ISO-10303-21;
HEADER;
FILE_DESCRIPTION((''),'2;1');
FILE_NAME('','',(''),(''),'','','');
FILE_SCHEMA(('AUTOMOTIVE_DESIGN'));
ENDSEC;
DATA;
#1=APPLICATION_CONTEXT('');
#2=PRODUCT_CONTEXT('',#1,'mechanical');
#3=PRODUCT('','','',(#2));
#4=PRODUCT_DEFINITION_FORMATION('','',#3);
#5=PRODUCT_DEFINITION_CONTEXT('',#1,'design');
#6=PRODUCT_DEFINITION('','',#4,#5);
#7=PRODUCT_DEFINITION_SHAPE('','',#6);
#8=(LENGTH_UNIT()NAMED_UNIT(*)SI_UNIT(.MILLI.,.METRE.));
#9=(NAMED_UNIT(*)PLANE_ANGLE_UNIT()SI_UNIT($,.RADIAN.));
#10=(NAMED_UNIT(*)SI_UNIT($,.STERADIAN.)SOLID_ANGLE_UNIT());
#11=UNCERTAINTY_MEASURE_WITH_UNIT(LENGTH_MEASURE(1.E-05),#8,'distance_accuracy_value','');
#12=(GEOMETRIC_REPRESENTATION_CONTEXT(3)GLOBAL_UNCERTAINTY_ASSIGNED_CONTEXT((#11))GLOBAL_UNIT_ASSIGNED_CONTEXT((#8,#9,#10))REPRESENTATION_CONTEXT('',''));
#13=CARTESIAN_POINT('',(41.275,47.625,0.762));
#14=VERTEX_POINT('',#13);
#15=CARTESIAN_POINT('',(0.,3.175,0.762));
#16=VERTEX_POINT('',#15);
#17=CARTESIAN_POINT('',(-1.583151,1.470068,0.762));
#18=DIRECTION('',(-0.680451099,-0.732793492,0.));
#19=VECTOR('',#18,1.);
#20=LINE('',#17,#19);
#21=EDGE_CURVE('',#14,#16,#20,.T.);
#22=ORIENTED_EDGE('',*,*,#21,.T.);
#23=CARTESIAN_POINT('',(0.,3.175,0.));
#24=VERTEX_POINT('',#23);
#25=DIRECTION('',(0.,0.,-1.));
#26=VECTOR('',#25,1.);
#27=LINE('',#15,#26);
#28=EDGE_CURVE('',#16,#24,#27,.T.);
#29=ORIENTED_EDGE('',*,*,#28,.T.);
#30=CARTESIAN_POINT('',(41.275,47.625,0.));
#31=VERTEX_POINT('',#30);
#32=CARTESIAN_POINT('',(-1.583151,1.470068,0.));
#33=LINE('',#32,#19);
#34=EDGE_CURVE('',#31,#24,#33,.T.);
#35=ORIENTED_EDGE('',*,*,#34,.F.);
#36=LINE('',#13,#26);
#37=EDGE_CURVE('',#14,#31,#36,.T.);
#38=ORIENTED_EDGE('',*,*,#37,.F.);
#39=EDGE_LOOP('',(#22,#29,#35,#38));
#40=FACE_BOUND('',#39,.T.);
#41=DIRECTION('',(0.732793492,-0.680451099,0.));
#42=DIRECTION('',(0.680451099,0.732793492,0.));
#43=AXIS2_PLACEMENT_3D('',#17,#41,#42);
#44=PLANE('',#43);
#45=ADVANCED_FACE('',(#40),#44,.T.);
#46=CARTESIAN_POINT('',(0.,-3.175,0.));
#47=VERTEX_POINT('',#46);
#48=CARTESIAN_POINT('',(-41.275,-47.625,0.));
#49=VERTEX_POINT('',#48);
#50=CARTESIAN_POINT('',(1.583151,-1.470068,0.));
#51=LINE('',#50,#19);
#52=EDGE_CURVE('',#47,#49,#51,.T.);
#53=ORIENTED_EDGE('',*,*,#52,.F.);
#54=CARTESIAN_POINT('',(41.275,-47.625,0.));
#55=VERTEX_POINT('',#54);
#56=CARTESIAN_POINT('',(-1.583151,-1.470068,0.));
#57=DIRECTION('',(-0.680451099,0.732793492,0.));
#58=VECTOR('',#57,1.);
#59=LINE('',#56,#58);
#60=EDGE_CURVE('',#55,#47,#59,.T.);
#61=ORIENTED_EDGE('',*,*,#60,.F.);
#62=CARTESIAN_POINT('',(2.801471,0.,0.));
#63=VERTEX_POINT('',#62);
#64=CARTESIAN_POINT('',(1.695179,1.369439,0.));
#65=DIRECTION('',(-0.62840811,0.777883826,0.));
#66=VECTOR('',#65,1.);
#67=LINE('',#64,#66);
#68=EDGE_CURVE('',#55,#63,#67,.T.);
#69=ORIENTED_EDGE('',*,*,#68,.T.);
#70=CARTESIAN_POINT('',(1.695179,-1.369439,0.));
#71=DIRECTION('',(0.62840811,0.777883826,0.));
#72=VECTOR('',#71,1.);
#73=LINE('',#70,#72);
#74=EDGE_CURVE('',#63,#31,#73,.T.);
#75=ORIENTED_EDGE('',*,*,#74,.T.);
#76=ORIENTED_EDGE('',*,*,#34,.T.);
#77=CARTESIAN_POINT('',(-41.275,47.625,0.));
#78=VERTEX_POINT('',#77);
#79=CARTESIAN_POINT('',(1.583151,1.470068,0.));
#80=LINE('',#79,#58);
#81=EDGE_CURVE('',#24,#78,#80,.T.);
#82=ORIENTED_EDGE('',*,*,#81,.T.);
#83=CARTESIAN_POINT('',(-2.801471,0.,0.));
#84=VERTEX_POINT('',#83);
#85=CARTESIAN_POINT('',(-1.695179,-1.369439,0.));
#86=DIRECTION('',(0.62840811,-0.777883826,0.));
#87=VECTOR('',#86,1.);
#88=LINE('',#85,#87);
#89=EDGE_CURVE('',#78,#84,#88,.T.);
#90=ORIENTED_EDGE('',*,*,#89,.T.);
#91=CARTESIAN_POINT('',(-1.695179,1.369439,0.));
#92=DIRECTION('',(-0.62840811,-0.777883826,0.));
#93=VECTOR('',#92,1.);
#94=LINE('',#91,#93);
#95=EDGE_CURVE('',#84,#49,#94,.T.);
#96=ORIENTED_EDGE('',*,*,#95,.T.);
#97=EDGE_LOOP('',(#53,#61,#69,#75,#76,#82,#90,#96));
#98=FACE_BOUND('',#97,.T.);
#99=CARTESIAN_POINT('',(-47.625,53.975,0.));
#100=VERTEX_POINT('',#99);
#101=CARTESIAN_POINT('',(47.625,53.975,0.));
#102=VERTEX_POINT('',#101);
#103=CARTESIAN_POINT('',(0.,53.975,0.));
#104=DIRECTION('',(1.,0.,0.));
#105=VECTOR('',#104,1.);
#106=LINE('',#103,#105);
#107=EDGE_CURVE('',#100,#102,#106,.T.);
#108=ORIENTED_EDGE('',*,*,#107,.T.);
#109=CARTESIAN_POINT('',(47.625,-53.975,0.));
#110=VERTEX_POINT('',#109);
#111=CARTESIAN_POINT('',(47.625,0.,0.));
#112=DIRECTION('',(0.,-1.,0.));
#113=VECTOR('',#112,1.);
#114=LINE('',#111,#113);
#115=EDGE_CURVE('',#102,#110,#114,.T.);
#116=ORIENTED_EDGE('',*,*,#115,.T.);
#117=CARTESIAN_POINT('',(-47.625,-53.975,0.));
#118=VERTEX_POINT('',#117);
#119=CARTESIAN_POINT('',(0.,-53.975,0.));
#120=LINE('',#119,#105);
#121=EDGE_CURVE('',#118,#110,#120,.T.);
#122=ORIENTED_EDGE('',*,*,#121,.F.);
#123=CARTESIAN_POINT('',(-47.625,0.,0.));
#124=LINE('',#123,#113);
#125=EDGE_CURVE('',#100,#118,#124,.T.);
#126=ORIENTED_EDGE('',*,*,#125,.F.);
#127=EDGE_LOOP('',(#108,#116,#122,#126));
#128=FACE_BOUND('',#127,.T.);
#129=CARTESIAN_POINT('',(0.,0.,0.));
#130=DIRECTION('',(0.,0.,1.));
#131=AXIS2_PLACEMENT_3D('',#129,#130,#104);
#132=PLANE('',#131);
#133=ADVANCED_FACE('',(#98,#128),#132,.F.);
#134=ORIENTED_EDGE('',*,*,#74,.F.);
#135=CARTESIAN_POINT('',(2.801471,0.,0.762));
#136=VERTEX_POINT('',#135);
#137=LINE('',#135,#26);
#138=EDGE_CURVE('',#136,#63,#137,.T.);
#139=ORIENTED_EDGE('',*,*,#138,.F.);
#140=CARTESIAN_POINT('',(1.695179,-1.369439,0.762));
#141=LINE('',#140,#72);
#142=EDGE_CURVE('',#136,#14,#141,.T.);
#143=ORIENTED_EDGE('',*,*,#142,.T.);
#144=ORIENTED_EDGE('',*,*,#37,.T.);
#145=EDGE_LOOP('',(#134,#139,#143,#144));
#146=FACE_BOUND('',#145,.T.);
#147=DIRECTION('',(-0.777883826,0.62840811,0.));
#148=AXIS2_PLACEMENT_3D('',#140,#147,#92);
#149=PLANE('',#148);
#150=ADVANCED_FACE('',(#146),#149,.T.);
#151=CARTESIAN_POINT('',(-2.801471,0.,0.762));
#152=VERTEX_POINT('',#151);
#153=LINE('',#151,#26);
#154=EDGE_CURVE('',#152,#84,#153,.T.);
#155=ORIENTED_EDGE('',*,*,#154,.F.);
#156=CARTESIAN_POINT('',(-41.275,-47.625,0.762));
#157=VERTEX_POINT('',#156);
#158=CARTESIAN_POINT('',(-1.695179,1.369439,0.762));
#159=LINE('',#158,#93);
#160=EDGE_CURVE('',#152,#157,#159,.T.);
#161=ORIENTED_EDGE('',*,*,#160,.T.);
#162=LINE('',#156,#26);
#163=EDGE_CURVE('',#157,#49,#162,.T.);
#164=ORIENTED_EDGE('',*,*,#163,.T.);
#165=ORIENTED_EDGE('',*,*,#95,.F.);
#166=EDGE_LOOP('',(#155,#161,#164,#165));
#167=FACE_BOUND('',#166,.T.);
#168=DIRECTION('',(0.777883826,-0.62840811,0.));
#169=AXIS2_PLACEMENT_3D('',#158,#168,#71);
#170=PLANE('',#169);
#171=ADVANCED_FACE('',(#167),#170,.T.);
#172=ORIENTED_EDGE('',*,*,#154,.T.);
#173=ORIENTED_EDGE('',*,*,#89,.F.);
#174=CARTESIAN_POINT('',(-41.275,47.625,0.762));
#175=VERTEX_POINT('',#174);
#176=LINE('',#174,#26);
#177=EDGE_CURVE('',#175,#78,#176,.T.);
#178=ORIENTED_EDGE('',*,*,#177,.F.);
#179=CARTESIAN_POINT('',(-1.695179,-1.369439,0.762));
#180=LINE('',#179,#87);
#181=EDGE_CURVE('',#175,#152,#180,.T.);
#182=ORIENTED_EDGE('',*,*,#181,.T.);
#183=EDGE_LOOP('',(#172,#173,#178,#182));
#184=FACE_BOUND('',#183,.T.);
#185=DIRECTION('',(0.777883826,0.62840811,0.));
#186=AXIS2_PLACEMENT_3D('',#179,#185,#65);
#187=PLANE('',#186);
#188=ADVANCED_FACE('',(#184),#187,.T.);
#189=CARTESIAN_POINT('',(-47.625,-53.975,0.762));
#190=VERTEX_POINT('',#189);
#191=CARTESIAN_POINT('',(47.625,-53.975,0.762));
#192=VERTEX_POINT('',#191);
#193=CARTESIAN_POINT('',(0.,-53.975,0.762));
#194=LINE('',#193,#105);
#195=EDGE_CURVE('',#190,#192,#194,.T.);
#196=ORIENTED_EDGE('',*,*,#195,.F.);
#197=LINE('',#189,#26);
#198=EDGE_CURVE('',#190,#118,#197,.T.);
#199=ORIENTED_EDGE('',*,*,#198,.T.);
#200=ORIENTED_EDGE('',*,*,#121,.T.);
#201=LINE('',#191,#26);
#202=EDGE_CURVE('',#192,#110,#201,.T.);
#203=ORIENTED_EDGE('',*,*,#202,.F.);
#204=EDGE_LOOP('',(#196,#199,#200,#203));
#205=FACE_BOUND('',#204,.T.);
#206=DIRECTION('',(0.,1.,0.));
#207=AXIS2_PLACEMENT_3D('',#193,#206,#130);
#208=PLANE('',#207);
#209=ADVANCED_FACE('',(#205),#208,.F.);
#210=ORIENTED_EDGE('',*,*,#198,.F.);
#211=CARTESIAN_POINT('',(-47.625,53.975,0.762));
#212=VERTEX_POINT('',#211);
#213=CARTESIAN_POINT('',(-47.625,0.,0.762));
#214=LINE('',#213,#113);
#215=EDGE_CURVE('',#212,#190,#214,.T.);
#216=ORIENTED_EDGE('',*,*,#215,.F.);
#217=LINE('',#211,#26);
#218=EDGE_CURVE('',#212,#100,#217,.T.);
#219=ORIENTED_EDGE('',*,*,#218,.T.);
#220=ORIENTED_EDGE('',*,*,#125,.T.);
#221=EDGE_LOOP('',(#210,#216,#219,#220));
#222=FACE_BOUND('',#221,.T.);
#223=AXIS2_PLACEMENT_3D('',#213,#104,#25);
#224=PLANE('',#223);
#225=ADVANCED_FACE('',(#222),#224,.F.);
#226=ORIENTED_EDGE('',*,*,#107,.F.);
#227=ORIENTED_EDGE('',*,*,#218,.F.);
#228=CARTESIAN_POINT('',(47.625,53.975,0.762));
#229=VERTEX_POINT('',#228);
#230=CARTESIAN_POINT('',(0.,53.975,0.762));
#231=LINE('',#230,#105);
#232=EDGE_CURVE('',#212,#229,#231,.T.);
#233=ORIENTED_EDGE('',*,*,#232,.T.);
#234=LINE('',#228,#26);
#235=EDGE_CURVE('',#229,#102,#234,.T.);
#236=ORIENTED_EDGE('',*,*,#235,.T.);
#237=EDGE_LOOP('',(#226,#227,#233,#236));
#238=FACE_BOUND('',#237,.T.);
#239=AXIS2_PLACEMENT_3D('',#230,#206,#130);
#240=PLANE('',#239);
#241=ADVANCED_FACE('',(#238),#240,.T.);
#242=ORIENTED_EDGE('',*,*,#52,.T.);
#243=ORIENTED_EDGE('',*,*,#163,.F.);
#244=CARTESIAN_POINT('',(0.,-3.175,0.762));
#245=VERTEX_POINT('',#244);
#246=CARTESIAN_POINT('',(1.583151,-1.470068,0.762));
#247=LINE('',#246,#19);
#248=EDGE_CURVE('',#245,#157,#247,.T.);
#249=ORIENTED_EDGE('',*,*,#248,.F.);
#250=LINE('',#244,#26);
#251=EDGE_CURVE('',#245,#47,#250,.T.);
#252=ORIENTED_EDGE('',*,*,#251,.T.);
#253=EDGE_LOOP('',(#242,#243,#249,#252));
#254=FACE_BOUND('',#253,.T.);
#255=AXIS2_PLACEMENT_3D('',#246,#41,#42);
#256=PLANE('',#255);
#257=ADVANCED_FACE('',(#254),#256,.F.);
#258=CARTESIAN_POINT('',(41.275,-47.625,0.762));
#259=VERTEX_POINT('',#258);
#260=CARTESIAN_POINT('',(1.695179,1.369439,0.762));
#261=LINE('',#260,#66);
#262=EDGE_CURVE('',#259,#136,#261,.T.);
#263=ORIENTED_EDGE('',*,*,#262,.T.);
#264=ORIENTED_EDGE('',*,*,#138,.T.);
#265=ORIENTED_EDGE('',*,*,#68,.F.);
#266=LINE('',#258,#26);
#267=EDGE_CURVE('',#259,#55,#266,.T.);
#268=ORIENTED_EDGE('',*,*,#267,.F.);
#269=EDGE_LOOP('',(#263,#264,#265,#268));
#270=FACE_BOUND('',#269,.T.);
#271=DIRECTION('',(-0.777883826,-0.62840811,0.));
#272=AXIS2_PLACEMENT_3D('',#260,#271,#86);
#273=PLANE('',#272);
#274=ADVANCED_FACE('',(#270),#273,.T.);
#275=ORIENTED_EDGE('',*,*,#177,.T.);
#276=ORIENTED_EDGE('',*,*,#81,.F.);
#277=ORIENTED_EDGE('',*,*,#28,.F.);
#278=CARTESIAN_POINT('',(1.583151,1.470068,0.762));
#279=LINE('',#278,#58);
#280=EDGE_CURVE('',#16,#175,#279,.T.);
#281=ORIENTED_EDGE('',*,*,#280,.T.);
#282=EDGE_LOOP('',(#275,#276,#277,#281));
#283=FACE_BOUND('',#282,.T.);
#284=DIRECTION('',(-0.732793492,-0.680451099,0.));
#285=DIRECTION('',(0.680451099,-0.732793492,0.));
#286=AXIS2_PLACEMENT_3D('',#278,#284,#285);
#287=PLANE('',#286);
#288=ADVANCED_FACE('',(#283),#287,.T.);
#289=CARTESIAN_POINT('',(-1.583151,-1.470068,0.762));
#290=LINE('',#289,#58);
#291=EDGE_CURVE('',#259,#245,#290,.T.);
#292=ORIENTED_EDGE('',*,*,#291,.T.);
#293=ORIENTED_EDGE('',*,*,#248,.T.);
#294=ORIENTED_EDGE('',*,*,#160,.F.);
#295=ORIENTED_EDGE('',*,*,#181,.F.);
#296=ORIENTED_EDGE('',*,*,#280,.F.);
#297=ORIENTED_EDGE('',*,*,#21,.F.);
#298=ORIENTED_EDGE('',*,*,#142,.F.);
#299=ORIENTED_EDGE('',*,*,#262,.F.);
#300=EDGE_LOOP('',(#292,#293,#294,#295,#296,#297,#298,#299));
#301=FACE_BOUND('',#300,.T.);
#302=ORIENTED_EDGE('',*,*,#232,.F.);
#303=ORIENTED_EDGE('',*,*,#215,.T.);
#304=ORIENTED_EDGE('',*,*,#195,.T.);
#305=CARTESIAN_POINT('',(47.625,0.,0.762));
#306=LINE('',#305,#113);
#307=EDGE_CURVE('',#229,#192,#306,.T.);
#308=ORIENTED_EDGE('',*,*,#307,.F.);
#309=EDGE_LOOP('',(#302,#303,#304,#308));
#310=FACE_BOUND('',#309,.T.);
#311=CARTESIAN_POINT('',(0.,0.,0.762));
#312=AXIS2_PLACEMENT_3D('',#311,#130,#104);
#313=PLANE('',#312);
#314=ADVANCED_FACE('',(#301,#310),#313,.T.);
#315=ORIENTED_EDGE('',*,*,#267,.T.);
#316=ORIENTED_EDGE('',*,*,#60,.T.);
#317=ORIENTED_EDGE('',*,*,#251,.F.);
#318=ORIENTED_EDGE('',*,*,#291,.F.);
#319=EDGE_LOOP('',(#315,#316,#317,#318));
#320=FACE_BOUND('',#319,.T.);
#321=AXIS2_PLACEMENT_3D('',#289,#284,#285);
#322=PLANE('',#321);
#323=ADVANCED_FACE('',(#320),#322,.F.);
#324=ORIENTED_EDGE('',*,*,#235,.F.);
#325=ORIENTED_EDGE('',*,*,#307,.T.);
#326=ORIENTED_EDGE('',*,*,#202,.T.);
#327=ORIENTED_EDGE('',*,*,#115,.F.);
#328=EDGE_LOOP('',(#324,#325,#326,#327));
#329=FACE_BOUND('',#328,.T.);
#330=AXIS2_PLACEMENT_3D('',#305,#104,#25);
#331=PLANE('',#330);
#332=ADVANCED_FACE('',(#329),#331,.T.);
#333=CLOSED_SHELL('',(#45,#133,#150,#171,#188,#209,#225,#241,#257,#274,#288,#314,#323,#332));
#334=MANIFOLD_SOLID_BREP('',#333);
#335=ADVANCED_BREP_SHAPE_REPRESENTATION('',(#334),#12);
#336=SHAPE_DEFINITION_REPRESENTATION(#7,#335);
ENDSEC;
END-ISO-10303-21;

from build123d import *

# Parameters (mm, degrees)
SKETCH1_W           = 95.25
SKETCH1_H           = 107.95
SKETCH1_W_2         = 82.55
SKETCH1_H_2         = 95.25
BOSS_EXTRUDE1_DEPTH = 0.762


with BuildPart() as part:
    # Sketch1 → Boss-Extrude1 (new body)
    # profile 1 of 5: a face of its own
    with BuildSketch(Plane.XY):
        Rectangle(SKETCH1_W, SKETCH1_H)
        Rectangle(SKETCH1_W_2, SKETCH1_H_2, mode=Mode.SUBTRACT)
    # profile 2 of 5: a face of its own
    with BuildSketch(Plane.XY):
        Polygon((-2.801470588, 0), (-41.275, -47.625), (-41.275, 47.625), align=None)
    # profile 3 of 5: a face of its own
    with BuildSketch(Plane.XY):
        Polygon((0, 3.175), (-41.275, 47.625), (41.275, 47.625), align=None)
    # profile 4 of 5: a face of its own
    with BuildSketch(Plane.XY):
        Polygon((2.801470588, 0), (41.275, 47.625), (41.275, -47.625), align=None)
    # profile 5 of 5: a face of its own
    with BuildSketch(Plane.XY):
        Polygon((41.275, -47.625), (0, -3.175), (-41.275, -47.625), align=None)
    extrude(amount=BOSS_EXTRUDE1_DEPTH)


solid = part.part
